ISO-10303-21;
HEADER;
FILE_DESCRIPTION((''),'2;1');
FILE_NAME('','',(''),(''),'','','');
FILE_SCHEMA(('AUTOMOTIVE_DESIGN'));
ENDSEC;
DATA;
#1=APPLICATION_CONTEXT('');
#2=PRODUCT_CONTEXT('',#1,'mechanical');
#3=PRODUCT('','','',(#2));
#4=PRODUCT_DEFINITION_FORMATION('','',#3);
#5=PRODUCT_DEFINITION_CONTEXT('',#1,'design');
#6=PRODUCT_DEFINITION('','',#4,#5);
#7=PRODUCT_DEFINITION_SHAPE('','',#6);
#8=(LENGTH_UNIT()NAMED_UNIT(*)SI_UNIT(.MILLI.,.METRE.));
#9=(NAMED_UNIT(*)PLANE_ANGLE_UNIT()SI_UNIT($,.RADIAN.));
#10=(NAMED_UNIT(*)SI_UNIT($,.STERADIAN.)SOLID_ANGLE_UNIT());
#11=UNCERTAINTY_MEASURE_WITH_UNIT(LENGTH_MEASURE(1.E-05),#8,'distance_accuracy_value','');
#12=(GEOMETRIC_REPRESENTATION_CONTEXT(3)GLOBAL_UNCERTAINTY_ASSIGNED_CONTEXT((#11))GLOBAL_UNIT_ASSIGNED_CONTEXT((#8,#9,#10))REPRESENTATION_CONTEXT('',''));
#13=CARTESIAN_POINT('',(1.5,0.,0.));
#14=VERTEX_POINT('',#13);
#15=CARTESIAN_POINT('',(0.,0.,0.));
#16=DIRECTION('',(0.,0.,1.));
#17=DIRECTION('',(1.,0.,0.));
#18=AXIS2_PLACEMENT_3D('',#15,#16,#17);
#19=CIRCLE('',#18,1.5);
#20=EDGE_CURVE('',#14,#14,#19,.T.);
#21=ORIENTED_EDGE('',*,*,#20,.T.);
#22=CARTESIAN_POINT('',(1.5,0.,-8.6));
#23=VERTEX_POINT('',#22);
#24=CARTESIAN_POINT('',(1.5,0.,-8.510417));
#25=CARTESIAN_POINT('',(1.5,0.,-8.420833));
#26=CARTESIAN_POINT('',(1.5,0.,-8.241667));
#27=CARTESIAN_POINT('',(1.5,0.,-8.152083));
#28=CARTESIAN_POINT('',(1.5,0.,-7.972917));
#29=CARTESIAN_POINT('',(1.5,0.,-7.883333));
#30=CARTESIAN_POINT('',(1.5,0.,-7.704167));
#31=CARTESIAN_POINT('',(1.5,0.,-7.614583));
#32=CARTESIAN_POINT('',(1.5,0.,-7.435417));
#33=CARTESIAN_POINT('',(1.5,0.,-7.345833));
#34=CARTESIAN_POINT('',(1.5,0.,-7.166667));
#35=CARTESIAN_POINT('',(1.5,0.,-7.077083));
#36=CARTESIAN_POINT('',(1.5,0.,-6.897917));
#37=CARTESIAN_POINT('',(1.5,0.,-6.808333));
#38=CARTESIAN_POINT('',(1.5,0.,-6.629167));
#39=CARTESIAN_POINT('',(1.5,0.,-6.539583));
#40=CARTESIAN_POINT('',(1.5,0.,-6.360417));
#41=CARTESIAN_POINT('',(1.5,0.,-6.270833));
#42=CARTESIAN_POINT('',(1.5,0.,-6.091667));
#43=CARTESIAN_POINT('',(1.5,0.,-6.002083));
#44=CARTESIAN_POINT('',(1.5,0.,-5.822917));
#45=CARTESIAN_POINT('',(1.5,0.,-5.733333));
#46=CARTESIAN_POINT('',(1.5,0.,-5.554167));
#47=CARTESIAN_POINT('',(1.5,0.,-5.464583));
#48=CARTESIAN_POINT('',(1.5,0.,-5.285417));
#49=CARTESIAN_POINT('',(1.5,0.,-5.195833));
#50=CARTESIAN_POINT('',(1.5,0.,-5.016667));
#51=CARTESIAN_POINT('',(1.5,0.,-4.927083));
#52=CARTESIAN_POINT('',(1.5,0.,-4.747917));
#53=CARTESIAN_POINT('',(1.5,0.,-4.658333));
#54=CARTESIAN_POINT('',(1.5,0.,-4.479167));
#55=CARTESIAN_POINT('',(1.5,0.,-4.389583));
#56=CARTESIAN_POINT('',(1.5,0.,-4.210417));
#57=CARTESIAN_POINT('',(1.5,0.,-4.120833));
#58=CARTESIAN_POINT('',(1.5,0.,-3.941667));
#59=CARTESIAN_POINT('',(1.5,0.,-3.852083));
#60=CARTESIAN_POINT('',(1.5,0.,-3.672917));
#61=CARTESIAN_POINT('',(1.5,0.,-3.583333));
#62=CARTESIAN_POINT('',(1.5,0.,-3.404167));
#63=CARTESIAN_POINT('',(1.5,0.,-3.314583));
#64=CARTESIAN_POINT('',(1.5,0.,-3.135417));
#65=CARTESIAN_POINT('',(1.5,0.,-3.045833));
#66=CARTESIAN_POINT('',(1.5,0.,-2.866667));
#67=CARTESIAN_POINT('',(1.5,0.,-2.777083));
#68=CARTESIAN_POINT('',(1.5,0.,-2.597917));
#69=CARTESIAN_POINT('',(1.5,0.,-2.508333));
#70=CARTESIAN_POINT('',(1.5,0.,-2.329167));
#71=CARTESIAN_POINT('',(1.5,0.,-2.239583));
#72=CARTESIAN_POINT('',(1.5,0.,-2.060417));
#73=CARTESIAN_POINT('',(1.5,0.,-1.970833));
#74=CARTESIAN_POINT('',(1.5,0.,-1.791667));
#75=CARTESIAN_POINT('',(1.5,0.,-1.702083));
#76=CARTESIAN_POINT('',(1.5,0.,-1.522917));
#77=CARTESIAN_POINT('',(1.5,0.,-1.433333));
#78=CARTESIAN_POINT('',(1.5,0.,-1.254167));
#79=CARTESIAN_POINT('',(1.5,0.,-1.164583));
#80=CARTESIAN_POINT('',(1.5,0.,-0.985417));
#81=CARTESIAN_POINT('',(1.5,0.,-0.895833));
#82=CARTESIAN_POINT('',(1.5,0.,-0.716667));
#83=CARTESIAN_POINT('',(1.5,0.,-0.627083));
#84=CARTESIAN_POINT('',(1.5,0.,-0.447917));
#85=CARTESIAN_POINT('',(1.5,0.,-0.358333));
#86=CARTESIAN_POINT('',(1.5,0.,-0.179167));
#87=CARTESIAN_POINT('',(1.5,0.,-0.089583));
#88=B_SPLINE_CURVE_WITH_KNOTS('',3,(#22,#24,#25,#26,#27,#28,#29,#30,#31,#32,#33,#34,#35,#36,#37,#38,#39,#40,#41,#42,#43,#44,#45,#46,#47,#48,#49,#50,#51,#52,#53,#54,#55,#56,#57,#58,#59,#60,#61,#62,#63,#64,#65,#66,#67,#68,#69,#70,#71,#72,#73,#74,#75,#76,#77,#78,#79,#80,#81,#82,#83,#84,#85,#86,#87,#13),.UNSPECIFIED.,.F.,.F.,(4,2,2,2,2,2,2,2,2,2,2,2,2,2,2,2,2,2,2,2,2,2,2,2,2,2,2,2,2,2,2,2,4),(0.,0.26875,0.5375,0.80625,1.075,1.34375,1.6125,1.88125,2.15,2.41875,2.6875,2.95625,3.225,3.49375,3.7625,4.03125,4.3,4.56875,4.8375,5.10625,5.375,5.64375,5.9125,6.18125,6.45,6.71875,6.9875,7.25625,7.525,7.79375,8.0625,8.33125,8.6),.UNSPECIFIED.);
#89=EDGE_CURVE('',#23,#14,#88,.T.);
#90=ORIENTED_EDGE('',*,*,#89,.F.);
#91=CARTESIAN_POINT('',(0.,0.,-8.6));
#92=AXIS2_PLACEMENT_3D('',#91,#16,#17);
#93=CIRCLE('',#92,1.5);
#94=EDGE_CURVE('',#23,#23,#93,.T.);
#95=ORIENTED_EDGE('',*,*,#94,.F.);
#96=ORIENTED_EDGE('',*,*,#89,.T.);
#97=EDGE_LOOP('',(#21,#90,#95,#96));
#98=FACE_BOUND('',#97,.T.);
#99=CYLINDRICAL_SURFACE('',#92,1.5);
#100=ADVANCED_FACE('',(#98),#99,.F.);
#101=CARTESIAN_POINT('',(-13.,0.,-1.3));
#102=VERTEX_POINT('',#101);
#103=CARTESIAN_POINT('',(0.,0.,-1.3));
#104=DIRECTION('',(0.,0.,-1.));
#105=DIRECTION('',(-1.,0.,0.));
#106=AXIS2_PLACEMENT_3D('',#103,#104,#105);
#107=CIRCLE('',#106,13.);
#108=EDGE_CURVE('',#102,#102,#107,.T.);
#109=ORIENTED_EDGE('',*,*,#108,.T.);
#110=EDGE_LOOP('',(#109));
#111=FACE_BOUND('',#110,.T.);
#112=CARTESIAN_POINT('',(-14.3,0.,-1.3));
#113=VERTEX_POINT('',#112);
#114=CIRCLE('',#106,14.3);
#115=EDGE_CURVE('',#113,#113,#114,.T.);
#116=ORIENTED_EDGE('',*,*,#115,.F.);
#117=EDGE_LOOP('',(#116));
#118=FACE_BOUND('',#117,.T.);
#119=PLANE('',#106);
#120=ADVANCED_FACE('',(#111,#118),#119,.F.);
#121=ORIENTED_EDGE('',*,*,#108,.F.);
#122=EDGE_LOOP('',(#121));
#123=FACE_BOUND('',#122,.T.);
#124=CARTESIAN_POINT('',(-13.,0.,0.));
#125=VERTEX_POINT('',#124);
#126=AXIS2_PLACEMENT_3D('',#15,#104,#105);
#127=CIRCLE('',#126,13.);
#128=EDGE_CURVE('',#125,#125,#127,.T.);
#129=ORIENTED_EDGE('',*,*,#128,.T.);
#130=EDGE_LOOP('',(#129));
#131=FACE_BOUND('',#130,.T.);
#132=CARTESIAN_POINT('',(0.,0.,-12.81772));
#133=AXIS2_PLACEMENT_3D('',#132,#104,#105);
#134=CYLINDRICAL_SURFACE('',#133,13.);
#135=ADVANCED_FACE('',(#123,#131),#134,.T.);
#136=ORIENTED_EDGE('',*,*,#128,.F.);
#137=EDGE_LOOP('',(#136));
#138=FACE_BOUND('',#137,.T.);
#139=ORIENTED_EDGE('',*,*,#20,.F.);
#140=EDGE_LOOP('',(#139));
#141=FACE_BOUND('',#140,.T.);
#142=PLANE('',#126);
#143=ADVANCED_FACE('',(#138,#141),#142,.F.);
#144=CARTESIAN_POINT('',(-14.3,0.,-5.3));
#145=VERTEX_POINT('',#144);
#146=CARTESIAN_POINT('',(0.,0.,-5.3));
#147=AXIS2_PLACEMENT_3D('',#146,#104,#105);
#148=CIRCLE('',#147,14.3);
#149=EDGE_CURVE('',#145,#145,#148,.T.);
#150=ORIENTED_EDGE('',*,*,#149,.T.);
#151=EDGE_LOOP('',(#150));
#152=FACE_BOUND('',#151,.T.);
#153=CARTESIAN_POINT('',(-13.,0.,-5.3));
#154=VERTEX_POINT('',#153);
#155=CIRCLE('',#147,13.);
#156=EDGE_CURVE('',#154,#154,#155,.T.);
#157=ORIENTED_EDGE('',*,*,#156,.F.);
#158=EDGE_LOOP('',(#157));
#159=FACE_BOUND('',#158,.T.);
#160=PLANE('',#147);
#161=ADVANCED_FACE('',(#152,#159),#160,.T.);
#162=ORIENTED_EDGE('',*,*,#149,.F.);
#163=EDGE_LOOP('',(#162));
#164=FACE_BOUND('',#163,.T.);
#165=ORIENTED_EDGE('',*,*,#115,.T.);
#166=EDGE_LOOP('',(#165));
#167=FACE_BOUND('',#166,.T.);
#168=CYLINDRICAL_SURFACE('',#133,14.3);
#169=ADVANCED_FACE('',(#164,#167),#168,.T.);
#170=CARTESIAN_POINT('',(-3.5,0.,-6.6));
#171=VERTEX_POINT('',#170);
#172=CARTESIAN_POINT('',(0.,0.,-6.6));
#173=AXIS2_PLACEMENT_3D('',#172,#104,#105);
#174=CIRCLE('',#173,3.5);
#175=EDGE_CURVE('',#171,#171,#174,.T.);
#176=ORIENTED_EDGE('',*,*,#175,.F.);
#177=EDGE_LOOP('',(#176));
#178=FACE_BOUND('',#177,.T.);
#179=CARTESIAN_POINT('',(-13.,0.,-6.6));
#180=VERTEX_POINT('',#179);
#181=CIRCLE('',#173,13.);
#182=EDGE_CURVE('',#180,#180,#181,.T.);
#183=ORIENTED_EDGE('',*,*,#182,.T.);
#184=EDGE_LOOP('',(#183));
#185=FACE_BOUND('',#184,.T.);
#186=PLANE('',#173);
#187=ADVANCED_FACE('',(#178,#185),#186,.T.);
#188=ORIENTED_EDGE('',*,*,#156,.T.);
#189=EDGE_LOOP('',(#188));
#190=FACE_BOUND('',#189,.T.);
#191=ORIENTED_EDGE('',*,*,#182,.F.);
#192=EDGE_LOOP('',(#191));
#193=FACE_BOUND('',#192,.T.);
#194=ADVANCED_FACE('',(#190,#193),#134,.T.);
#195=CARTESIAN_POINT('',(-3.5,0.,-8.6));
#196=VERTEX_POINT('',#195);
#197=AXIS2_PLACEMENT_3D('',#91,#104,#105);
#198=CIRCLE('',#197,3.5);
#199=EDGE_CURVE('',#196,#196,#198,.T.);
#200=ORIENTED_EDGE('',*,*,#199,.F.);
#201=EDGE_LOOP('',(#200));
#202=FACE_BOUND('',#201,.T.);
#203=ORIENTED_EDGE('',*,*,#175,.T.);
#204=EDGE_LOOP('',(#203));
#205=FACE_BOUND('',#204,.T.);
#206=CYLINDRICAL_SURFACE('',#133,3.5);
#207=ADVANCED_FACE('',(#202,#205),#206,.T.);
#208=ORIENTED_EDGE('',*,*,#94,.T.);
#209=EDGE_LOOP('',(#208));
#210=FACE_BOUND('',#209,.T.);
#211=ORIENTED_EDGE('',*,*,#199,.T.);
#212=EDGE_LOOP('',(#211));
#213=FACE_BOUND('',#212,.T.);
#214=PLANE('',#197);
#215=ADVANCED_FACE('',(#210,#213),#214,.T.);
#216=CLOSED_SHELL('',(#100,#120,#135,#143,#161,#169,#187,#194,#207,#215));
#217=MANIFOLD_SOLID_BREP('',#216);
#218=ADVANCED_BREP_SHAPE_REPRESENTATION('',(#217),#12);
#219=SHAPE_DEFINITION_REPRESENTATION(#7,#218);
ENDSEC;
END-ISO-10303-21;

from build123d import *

# Parameters (mm, degrees)
SKETCH3_R          = 1.5
CUT_EXTRUDE1_DEPTH = 22.975895886


with BuildPart() as part:
    # Sketch1 → Revolve1 (revolve)
    with BuildSketch(Plane(origin=(0, 0, 0), x_dir=(0, 0, -1), z_dir=(1, 0, 0)), mode=Mode.PRIVATE) as revolve1_sk:
        Polygon((6.6, 13), (5.3, 13), (5.3, 14.3), (1.3, 14.3), (1.3, 13), (0, 13), (0, 0), (8.6, 0), (8.6, 3.5), (6.6, 3.5), align=None)
    revolve(revolve1_sk.sketch.rotate(Axis((0, 0, -12.817719844), (0, 0, 1)), 90), axis=Axis((0, 0, -12.817719844), (0, 0, 1)))

    # Sketch3 → Cut-Extrude1 (cut, through all)
    with BuildSketch(Plane.XY):
        Circle(SKETCH3_R)
    extrude(amount=-CUT_EXTRUDE1_DEPTH, mode=Mode.SUBTRACT)


solid = part.part
